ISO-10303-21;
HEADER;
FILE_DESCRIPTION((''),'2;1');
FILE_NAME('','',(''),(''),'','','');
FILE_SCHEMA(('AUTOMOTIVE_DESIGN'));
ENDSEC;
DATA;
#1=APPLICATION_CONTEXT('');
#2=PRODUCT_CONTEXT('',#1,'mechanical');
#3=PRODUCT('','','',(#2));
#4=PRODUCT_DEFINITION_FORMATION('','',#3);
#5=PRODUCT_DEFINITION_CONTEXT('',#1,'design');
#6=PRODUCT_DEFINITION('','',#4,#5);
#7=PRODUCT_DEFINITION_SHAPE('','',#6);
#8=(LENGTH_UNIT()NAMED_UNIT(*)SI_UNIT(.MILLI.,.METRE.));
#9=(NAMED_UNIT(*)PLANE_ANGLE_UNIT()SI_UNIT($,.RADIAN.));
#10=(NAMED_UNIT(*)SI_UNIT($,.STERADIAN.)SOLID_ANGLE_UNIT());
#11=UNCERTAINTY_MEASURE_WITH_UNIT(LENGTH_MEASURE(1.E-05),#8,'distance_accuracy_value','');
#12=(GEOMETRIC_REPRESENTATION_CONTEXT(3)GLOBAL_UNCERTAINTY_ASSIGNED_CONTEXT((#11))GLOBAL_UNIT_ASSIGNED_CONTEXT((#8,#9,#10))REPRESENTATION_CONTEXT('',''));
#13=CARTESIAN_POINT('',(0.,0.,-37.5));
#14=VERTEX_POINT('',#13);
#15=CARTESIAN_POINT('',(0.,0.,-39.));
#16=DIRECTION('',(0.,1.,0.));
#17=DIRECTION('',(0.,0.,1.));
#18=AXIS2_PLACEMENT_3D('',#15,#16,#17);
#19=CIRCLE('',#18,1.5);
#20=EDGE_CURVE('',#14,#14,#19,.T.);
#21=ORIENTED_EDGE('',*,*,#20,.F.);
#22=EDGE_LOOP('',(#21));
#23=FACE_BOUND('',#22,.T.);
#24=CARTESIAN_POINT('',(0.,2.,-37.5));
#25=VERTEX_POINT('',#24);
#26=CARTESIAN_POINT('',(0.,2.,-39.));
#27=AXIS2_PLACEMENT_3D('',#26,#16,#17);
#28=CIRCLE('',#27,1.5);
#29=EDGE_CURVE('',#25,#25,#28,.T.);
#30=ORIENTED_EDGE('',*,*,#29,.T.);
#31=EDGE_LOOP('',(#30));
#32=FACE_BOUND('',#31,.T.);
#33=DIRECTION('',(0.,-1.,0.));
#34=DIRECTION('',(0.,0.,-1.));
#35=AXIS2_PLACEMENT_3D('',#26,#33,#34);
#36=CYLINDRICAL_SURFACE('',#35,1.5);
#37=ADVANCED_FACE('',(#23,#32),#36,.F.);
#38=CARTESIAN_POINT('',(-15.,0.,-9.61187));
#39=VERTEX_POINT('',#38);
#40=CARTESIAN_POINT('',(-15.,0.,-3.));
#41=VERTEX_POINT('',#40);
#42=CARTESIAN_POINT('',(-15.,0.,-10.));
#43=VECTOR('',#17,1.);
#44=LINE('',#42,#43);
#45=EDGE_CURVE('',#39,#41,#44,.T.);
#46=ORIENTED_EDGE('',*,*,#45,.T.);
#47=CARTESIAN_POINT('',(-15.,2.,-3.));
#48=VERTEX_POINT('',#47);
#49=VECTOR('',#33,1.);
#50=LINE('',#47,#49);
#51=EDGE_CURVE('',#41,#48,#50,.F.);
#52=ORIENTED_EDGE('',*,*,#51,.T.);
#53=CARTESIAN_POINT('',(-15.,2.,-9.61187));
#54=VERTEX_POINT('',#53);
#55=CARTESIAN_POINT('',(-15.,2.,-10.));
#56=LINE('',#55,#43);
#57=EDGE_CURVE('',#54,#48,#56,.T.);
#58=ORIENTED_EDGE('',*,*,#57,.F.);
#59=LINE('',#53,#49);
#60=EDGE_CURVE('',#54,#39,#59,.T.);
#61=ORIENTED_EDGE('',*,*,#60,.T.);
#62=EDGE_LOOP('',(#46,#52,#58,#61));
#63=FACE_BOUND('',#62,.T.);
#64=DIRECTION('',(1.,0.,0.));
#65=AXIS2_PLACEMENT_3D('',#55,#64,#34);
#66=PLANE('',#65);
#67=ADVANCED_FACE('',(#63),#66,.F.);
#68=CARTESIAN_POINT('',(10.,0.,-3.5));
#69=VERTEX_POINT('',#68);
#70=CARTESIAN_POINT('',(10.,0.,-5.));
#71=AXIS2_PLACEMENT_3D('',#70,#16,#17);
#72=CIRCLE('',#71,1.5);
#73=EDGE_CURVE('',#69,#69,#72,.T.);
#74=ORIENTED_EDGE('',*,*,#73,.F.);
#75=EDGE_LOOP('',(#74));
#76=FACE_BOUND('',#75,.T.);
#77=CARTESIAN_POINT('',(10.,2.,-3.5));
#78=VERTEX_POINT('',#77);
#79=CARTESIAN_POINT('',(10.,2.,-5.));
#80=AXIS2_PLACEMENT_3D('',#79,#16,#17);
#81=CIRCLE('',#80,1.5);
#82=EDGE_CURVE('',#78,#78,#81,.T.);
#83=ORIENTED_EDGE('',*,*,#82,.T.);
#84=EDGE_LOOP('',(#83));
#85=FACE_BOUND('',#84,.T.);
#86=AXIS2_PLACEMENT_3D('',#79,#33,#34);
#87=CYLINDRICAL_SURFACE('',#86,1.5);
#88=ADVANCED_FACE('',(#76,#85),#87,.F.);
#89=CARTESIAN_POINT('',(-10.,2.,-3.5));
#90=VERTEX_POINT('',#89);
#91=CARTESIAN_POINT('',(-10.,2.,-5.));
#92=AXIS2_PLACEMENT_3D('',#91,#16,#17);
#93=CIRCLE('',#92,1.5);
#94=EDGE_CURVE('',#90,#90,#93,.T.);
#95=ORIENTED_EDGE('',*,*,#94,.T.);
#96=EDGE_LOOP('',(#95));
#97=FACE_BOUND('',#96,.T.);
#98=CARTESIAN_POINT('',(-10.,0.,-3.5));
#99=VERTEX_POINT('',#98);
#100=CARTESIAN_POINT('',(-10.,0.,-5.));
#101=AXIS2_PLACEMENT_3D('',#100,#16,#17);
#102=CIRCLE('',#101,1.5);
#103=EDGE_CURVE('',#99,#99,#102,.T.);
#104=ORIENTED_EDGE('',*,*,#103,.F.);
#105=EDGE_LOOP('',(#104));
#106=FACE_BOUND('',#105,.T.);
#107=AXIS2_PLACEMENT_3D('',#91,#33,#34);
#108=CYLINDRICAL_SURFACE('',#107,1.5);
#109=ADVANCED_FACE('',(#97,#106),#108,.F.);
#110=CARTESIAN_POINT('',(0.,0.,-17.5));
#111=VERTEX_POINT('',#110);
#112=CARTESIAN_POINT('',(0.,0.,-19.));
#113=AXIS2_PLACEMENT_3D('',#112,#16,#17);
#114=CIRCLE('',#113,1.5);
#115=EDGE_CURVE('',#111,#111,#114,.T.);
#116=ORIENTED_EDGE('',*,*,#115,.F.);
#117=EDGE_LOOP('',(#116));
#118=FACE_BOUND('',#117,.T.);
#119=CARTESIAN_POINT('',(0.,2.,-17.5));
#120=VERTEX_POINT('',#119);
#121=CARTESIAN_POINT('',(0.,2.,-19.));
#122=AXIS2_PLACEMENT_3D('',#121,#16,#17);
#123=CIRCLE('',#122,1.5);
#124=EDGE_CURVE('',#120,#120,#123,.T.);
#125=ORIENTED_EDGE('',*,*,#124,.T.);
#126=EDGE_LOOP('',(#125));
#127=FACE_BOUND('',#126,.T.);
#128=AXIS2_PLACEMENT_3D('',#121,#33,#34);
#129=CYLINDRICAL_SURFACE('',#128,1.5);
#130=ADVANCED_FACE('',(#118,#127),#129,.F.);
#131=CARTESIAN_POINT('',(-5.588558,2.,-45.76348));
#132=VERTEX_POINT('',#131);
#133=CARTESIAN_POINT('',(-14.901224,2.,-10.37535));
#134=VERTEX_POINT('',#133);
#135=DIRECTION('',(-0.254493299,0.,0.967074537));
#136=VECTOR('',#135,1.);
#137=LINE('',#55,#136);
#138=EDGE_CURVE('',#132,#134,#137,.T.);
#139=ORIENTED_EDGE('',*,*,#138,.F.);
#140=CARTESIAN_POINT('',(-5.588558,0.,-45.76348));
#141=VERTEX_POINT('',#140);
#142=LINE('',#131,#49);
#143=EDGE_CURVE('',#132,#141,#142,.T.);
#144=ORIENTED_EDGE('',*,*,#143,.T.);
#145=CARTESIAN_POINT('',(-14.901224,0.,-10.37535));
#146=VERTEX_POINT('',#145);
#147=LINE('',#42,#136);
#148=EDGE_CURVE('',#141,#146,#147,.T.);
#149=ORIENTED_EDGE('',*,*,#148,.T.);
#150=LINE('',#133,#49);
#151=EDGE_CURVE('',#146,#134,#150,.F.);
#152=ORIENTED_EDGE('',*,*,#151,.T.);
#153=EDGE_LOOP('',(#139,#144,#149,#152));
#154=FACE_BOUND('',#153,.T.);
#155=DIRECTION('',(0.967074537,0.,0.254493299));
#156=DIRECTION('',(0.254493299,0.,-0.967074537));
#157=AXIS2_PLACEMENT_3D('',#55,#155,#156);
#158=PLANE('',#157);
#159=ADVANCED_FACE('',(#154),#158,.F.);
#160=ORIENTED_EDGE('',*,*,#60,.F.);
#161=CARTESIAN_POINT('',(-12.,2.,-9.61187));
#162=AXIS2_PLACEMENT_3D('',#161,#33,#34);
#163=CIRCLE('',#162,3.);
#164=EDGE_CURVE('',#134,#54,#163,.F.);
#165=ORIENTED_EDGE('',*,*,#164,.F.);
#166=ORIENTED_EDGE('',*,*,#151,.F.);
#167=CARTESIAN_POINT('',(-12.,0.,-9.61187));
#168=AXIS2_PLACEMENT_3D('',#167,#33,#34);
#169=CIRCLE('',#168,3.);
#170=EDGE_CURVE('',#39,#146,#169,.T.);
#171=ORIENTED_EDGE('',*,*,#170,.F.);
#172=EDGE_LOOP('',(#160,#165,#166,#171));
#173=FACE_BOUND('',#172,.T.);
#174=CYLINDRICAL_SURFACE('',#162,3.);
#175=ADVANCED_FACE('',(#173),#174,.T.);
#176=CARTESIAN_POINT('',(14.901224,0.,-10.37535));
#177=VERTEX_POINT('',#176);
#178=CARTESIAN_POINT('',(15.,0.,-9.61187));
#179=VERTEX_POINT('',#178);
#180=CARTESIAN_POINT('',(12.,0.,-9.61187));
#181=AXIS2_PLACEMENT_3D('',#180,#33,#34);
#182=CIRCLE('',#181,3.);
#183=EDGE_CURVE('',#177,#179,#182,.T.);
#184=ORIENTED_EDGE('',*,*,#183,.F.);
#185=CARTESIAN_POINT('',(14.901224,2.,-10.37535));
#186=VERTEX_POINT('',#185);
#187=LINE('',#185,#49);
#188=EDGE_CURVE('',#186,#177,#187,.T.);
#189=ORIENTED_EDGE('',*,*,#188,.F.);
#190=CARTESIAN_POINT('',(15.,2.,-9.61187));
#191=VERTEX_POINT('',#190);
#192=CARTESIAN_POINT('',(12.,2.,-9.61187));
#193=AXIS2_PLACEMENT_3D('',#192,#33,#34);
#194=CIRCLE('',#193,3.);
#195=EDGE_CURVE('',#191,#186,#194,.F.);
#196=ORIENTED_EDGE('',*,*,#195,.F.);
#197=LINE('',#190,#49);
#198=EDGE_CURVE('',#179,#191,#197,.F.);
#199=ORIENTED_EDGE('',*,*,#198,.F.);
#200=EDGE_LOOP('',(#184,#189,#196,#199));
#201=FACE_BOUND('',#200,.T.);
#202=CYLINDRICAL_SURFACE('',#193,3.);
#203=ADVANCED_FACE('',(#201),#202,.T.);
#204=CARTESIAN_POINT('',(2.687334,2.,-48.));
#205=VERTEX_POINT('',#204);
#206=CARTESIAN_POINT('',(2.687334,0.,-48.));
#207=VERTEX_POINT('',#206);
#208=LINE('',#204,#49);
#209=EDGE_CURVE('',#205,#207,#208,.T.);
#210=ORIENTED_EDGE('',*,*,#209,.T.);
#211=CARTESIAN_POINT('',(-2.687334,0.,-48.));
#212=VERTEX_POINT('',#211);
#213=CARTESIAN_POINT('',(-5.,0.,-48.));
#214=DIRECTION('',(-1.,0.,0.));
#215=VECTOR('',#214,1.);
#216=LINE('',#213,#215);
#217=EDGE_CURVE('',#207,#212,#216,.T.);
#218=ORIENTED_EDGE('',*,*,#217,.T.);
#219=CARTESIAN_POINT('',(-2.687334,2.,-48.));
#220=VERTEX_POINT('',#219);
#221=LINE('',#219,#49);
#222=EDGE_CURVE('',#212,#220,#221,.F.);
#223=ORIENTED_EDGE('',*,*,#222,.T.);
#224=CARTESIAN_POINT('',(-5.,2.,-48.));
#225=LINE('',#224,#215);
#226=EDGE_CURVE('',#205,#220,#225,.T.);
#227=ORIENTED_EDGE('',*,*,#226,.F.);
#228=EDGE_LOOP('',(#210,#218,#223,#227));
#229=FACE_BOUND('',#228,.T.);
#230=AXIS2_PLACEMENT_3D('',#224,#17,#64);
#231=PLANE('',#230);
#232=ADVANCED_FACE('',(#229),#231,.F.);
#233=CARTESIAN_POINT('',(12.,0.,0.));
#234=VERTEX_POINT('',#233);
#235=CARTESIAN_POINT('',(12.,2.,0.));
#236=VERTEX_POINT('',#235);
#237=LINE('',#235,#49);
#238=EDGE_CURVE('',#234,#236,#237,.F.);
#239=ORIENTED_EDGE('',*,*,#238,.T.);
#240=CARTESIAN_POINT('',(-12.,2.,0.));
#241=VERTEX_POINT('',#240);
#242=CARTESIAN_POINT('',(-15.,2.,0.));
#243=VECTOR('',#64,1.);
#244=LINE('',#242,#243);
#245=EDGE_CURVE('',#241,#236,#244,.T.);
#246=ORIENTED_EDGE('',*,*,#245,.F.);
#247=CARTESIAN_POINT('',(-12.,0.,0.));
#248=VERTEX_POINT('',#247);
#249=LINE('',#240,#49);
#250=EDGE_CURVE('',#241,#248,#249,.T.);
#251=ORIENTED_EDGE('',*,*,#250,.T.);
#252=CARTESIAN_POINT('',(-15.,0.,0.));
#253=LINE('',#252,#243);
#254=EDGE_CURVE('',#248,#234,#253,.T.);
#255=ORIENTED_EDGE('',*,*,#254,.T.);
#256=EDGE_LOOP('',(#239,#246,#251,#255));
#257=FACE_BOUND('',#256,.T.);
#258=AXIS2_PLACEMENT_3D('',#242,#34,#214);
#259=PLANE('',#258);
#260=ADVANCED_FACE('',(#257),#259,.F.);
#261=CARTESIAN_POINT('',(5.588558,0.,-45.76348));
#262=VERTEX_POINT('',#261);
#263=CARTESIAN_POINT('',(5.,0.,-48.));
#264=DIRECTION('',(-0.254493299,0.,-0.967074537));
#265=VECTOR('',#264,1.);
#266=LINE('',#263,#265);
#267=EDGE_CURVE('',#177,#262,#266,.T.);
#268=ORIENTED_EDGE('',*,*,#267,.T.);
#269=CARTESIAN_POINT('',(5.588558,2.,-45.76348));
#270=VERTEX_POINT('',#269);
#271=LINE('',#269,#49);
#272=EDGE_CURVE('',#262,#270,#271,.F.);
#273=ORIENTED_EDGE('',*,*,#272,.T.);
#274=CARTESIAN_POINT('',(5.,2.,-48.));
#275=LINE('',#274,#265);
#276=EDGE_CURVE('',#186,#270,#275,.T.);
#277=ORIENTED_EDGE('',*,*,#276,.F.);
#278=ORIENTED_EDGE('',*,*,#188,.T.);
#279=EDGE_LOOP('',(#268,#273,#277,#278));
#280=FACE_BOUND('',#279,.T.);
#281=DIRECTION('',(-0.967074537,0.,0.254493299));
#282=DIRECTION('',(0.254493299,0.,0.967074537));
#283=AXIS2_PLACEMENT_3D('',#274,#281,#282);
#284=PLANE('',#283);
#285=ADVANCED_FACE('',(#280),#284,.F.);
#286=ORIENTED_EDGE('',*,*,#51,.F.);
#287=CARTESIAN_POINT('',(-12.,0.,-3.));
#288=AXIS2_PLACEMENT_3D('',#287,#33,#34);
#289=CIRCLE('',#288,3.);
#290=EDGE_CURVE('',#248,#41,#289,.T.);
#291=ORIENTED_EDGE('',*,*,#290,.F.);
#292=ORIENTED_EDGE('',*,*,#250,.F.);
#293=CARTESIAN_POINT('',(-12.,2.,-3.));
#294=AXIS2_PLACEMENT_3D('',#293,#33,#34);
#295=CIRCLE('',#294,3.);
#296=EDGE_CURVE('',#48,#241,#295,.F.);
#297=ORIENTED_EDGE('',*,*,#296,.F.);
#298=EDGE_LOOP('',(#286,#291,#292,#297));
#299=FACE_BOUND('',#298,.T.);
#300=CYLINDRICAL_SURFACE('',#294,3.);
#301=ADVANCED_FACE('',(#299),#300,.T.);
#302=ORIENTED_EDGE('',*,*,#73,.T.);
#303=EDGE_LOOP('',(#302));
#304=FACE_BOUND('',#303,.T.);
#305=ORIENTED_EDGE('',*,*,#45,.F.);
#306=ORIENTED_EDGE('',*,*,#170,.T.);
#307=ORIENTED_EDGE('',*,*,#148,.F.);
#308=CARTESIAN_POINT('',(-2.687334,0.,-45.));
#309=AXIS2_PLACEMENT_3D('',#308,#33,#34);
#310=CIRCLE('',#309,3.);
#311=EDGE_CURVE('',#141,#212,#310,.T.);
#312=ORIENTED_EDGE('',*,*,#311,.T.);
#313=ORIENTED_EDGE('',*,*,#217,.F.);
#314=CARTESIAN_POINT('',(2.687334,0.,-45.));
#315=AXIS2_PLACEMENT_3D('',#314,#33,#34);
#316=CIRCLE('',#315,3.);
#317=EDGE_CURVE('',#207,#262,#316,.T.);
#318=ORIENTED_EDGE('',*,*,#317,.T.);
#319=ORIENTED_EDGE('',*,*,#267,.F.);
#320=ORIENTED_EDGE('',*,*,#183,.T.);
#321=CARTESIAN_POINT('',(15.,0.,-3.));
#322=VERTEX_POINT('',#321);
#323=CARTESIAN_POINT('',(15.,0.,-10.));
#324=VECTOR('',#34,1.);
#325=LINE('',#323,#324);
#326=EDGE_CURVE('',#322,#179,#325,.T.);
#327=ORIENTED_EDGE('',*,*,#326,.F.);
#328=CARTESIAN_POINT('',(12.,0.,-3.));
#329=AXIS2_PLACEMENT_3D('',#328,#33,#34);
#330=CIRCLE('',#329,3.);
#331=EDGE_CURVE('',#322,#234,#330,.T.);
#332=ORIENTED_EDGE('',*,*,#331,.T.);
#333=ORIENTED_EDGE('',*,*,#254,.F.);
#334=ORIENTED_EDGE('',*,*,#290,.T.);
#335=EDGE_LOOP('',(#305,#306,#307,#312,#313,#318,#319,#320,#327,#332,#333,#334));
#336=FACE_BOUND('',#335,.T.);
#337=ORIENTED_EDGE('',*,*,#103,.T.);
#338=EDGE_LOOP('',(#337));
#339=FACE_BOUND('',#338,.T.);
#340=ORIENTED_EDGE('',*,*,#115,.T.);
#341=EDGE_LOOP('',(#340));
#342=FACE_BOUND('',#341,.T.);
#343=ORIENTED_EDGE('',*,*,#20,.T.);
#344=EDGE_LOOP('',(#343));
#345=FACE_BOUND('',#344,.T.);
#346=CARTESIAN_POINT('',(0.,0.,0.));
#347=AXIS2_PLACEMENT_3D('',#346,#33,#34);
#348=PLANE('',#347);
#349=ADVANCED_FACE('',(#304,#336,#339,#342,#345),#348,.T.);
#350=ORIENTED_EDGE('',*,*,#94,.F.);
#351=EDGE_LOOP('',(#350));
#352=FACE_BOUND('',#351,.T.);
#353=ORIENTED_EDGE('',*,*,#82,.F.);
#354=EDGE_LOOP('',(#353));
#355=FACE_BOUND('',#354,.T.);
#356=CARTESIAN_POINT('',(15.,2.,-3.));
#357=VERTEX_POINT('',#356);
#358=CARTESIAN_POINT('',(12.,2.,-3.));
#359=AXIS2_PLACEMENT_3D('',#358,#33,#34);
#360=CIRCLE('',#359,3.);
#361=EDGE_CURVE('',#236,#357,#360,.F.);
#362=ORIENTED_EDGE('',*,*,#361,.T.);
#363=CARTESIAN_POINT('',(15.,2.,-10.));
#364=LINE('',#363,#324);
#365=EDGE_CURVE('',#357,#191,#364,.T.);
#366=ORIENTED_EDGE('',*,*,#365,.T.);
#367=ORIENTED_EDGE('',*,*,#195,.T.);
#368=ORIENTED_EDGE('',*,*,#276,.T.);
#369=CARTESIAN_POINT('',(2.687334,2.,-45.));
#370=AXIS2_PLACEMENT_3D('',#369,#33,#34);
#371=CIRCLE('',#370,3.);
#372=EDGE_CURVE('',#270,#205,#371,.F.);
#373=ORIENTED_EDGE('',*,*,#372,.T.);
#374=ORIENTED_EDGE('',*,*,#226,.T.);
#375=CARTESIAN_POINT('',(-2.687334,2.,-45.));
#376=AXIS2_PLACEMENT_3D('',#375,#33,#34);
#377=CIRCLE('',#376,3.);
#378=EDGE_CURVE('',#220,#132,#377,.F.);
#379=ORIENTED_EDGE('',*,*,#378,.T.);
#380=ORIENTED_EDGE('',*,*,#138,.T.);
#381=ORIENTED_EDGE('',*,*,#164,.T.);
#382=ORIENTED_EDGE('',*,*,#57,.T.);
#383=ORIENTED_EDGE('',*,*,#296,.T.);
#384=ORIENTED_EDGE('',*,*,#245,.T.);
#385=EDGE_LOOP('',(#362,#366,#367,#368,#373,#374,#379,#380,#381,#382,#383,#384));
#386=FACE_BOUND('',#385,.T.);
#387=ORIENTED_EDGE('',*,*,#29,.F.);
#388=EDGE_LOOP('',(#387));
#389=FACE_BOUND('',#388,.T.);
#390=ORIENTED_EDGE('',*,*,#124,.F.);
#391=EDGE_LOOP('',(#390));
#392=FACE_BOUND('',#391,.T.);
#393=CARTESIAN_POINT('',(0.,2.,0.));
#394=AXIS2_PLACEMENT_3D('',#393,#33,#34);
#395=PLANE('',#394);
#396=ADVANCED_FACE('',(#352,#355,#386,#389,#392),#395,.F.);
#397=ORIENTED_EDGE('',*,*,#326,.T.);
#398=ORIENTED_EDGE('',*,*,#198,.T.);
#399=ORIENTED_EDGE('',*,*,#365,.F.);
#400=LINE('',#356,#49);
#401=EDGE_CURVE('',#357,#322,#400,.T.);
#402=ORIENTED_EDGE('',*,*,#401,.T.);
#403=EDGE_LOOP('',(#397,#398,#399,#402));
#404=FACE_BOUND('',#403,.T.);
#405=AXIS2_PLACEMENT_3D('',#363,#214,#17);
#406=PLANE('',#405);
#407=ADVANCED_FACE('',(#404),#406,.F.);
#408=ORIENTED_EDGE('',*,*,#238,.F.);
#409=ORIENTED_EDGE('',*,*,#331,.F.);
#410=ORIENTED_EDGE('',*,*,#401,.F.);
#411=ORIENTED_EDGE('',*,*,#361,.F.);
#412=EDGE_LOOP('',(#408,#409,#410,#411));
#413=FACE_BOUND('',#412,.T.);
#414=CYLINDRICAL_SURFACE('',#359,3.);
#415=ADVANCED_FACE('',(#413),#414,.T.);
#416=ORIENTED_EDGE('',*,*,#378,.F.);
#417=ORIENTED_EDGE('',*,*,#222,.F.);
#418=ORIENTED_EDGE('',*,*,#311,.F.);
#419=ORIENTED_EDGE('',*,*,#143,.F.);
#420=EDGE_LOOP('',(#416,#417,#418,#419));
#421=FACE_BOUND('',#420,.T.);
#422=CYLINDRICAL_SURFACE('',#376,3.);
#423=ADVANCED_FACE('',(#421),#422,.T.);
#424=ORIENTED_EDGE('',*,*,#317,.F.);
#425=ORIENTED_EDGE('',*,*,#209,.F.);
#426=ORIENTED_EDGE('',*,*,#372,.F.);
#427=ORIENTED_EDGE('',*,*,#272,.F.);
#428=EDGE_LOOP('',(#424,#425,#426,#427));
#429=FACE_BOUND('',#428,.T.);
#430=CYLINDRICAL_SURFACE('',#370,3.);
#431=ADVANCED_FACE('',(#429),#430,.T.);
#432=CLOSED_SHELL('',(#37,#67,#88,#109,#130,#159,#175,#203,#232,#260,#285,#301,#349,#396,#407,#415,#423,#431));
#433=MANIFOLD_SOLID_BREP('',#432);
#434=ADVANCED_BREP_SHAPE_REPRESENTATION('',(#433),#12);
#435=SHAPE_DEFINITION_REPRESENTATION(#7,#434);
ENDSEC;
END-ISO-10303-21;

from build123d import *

# Parameters (mm, degrees)
SKETCH_1_R      = 1.5
EXTRUDE_1_DEPTH = 2
FILLET_1_R      = 3


with BuildPart() as part:
    # 草图1 → 凸台-拉伸1 (new body)
    with BuildSketch(Plane(origin=(0, 0, 0), x_dir=(1, 0, 0), z_dir=(0, 1, 0))):
        Polygon((-5, 48), (5, 48), (15, 10), (15, 0), (-15, 0), (-15, 10), align=None)
        with Locations(Location((0, 39, 0), (0, 0, 270))):
            Circle(SKETCH_1_R, mode=Mode.SUBTRACT)
        with Locations(Location((0, 19, 0), (0, 0, 270))):
            Circle(SKETCH_1_R, mode=Mode.SUBTRACT)
        with Locations(Location((10, 5, 0), (0, 0, 270))):
            Circle(SKETCH_1_R, mode=Mode.SUBTRACT)
        with Locations(Location((-10, 5, 0), (0, 0, 270))):
            Circle(SKETCH_1_R, mode=Mode.SUBTRACT)
    extrude(amount=EXTRUDE_1_DEPTH)

    # 圆角1
    fillet_1_edges = [part.edges().sort_by_distance(p)[0] for p in [
        (-5, 1, -48),
        (5, 1, -48),
        (15, 1, -10),
        (15, 1, 0),
        (-15, 1, 0),
        (-15, 1, -10),
    ]]
    fillet(fillet_1_edges, radius=FILLET_1_R)


solid = part.part
